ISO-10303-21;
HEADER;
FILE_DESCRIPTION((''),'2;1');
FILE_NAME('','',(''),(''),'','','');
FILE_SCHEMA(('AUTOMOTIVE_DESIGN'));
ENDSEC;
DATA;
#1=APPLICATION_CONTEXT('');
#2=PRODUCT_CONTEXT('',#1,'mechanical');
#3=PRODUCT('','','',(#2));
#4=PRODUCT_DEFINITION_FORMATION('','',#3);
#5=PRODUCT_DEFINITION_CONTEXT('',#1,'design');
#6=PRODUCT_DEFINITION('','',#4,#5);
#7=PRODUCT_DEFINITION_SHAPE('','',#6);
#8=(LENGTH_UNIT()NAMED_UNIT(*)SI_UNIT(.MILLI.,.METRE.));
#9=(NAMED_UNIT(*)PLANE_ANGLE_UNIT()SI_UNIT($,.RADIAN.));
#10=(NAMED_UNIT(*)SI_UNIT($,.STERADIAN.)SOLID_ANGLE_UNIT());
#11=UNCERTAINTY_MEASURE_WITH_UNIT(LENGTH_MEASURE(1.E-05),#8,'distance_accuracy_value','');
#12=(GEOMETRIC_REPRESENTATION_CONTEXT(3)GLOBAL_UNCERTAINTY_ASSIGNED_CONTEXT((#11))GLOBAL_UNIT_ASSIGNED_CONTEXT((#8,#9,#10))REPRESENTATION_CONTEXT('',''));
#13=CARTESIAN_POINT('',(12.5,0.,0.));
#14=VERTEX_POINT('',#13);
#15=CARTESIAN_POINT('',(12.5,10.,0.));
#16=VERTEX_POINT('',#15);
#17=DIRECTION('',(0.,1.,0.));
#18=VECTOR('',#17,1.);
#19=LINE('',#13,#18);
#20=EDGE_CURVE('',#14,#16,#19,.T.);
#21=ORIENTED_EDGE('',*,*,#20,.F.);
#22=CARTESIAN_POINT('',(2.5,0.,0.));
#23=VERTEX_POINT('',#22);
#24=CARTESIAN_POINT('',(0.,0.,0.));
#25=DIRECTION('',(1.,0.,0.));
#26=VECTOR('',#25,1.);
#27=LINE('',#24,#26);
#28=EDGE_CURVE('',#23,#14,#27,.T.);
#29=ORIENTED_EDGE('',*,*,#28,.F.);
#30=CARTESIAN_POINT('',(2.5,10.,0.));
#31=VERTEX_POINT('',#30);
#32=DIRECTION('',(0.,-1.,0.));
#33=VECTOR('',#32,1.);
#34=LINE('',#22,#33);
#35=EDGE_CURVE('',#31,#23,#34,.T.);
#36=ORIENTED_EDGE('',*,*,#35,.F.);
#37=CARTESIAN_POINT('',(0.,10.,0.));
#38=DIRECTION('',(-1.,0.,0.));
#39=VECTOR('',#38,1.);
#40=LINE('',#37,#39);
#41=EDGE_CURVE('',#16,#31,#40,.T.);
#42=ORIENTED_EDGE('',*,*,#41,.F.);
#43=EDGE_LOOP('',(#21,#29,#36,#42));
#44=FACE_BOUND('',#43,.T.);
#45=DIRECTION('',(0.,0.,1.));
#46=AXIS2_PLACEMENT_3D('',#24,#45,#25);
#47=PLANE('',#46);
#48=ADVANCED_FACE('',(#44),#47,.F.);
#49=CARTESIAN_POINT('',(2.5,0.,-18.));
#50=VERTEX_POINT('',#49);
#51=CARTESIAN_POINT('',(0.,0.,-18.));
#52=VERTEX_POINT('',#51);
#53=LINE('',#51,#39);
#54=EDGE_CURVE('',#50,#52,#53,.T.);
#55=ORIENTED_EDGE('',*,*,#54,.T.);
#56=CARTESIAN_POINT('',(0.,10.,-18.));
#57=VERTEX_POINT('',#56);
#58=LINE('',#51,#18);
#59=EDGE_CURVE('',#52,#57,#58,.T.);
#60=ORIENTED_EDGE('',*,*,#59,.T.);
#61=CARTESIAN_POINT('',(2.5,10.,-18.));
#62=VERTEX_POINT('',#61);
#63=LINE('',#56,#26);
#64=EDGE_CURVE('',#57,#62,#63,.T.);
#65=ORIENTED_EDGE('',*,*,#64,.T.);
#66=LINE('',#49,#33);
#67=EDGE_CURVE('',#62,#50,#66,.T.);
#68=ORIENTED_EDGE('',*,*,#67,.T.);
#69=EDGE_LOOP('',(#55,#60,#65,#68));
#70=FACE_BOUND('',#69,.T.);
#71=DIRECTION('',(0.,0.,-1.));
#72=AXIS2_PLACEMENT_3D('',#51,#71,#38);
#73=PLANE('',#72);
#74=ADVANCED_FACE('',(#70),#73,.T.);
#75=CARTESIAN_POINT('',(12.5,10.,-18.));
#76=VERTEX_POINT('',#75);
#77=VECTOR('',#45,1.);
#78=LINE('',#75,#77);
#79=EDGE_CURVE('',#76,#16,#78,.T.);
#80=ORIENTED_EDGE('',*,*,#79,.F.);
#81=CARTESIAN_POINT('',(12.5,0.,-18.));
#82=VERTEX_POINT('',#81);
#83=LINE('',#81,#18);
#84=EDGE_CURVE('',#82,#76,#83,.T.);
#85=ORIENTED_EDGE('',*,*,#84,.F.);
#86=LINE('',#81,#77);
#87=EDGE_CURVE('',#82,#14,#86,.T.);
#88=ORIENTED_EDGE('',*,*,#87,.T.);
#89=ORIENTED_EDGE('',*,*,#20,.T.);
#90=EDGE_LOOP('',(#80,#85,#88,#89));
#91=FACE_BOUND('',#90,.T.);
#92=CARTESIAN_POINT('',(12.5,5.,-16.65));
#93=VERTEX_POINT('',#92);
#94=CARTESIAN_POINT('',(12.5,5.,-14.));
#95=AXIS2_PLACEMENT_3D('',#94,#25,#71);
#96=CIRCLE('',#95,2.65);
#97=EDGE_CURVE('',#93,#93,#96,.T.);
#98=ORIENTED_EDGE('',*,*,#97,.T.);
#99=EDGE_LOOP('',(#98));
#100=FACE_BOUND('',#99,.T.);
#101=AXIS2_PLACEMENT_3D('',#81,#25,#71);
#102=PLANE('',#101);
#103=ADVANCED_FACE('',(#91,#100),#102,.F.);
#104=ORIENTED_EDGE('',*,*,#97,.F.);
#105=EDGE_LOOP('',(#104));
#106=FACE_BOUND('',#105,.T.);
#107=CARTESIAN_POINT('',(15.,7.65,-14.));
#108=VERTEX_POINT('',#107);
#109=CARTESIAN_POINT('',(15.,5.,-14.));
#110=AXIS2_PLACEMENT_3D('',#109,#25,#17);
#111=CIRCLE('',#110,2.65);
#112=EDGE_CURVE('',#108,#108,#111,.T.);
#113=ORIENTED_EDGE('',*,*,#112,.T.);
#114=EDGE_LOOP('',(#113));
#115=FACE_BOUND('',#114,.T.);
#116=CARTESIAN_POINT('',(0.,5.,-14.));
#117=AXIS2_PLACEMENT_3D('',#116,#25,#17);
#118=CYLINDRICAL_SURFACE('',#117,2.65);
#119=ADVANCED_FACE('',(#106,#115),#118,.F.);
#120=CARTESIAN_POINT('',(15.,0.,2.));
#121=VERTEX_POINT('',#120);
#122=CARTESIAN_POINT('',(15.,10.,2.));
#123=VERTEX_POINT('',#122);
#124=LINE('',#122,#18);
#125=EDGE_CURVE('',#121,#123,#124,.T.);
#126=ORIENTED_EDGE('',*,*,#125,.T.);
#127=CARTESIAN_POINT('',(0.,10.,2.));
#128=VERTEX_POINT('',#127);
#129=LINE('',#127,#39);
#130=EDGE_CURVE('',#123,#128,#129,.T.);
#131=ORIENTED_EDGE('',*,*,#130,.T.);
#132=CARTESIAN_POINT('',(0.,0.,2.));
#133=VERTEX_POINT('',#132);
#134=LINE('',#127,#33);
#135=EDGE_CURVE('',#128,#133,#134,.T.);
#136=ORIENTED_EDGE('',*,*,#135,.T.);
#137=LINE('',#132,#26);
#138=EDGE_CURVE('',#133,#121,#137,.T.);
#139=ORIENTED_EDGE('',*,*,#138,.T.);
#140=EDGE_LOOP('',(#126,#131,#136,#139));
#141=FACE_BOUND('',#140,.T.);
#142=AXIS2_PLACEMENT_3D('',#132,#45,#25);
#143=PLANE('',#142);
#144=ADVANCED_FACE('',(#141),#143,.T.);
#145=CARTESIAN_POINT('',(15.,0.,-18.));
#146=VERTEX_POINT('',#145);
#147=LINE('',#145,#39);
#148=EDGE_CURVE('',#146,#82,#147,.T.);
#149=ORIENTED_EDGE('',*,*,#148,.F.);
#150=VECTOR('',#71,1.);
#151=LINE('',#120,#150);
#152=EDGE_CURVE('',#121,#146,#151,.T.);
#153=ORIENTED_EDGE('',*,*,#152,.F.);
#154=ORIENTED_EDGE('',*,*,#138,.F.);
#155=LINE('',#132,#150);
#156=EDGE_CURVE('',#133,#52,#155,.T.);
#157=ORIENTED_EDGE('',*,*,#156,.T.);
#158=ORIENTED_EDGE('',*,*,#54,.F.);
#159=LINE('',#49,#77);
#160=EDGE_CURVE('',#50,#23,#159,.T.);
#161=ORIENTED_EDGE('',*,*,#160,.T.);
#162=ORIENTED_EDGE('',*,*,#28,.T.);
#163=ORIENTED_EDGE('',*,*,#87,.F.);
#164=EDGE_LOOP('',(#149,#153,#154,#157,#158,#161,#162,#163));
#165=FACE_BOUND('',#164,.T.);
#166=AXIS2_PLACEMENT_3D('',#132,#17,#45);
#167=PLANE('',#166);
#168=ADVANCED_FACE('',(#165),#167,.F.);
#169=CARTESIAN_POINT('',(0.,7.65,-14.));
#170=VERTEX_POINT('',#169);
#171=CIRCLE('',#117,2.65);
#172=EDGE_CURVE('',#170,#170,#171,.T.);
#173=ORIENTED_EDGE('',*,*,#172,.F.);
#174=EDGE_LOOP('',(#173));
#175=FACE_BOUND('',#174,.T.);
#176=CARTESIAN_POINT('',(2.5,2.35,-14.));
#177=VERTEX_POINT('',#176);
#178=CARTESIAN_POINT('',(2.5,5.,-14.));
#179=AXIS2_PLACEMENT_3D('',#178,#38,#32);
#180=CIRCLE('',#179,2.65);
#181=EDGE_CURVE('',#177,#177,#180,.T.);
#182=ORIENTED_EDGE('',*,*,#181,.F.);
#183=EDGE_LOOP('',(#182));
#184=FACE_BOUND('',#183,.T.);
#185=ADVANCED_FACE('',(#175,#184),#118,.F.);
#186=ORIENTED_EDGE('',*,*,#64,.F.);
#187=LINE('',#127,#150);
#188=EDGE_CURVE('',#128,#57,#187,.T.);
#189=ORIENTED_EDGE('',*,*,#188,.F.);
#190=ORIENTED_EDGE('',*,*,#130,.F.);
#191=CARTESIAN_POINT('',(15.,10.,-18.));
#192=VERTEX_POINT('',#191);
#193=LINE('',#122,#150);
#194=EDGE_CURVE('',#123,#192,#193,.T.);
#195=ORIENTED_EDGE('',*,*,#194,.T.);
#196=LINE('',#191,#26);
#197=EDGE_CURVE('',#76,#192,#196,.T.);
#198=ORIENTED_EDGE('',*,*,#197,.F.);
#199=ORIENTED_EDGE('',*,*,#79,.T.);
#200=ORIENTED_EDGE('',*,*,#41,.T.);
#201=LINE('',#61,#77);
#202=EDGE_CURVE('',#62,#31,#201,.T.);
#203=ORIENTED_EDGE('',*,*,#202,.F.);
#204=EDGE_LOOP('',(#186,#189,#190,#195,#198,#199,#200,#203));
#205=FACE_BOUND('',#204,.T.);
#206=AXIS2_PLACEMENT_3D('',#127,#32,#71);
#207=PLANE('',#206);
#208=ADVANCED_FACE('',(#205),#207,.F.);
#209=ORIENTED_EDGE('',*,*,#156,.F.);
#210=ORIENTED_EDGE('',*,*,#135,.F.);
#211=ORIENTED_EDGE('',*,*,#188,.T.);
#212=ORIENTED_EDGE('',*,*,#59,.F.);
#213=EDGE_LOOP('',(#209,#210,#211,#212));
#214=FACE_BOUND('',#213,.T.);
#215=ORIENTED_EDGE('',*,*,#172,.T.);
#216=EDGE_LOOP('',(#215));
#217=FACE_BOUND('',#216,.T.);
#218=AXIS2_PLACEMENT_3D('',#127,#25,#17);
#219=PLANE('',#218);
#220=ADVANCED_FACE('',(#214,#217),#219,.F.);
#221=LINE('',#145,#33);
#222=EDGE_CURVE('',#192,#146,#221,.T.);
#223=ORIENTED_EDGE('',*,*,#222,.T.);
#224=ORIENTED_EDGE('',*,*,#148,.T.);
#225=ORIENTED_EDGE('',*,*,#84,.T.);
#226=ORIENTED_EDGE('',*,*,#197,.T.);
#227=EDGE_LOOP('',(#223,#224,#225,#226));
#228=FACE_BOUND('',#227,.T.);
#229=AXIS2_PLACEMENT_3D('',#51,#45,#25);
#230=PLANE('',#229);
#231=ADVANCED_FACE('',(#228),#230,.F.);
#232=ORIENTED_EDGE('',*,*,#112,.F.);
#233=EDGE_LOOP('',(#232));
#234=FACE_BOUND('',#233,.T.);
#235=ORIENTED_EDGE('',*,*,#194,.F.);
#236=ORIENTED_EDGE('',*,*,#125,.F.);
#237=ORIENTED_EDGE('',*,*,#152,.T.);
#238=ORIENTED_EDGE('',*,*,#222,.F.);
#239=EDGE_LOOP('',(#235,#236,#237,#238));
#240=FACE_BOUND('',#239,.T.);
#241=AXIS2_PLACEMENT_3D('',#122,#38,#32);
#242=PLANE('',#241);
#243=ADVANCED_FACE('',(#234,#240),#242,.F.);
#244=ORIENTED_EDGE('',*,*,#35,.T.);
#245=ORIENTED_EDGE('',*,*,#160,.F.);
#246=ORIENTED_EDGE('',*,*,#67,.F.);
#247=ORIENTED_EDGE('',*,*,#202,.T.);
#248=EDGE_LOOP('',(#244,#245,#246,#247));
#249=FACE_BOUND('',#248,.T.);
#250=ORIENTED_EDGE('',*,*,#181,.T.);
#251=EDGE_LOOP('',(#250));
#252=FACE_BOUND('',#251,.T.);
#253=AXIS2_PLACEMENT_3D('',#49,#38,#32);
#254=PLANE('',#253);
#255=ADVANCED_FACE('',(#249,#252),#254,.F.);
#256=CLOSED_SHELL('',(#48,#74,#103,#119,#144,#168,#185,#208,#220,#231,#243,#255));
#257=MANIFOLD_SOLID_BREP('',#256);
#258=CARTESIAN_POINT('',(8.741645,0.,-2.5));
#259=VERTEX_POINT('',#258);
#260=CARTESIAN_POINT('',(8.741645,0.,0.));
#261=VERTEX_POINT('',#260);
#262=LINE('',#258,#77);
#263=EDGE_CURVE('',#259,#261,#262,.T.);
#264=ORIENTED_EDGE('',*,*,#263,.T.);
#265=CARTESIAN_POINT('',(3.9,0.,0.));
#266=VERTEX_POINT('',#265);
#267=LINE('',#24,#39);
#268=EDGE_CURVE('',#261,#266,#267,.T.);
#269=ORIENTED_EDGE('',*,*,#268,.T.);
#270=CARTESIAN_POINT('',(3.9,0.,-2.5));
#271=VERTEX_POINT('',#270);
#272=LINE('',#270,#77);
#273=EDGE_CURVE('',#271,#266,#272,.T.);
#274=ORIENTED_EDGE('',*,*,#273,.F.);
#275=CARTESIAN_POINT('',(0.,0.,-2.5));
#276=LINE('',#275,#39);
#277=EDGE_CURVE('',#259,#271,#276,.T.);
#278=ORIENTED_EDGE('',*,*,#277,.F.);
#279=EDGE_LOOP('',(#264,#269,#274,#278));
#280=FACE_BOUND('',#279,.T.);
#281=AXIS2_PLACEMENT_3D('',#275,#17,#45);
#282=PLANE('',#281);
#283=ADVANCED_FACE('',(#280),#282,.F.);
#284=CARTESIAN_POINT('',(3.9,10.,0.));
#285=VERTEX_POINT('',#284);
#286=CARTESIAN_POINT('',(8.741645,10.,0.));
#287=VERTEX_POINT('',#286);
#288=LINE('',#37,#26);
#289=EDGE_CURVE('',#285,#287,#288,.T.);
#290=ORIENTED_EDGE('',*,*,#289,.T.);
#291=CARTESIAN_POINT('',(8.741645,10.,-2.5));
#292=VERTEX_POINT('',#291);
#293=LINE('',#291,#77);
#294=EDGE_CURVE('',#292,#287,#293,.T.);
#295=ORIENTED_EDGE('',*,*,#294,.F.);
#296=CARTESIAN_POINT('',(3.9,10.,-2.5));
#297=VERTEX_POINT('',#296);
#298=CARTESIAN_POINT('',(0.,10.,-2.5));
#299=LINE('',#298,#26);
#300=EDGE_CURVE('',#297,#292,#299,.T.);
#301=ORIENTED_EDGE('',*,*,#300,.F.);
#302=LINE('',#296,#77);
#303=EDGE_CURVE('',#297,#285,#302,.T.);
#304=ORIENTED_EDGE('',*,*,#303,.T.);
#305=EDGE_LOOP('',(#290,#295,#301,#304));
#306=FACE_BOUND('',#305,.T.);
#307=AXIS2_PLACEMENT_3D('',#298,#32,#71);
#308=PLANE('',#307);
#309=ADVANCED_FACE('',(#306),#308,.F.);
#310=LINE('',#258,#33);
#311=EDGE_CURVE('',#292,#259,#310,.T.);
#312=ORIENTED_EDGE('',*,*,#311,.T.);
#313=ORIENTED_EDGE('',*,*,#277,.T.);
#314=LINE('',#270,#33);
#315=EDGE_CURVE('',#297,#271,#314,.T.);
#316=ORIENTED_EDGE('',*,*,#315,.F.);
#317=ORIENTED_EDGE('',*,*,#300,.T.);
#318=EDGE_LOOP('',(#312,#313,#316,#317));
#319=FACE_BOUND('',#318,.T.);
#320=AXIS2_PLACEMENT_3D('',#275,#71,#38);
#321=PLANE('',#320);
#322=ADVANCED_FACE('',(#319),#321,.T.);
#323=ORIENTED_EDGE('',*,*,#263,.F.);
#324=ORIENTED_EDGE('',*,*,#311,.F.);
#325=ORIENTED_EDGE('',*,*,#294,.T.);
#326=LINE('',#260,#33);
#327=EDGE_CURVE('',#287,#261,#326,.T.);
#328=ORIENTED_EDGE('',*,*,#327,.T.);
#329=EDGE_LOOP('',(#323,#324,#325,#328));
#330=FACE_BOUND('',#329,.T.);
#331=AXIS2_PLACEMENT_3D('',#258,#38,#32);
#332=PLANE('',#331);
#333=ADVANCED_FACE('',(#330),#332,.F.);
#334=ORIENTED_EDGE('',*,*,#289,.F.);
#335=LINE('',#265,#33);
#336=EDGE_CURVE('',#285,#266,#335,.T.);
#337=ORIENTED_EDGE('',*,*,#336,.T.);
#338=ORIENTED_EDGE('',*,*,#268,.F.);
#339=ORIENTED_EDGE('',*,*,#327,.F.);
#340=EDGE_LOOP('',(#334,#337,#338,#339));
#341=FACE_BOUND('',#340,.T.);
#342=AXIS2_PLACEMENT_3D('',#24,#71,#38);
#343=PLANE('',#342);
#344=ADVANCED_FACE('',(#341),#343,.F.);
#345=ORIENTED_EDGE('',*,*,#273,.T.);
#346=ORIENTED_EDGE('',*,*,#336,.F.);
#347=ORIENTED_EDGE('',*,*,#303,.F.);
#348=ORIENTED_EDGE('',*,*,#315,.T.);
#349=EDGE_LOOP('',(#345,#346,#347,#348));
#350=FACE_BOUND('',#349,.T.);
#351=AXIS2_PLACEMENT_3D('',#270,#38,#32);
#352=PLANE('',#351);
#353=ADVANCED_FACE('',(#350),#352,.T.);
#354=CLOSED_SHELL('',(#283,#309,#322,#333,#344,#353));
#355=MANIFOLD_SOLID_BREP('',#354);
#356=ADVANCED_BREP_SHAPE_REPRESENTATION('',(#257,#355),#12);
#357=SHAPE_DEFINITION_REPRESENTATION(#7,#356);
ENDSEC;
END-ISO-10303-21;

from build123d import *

# Parameters (mm, degrees)
SKETCH1_W           = 15
SKETCH1_H           = 10
BOSS_EXTRUDE1_DEPTH = 2
SKETCH2_W           = 2.5
SKETCH2_H           = 10
BOSS_EXTRUDE2_DEPTH = 18
SKETCH3_R           = 2.65
CUT_EXTRUDE1_DEPTH  = 26.475478406
SKETCH4_W           = 4.841644851
SKETCH4_H           = 10
BOSS_EXTRUDE3_DEPTH = 2.5


with BuildPart() as part:
    # Sketch1 → Boss-Extrude1 (new body)
    with BuildSketch(Plane.XY):
        with Locations((7.5, 5)):
            Rectangle(SKETCH1_W, SKETCH1_H)
    extrude(amount=BOSS_EXTRUDE1_DEPTH)

    # Sketch2 → Boss-Extrude2 (add)
    with BuildSketch(Plane(origin=(0, 0, 0), x_dir=(-1, 0, 0), z_dir=(0, 0, -1))):
        with Locations((-13.75, 5)):
            Rectangle(SKETCH2_W, SKETCH2_H)
        with Locations((-1.25, 5)):
            Rectangle(SKETCH2_W, SKETCH2_H)
    extrude(amount=BOSS_EXTRUDE2_DEPTH)

    # Sketch3 → Cut-Extrude1 (cut, through all)
    with BuildSketch(Plane(origin=(15, 0, 0), x_dir=(0, 0, -1), z_dir=(1, 0, 0))):
        with Locations(Location((14, 5, 0), (0, 0, 90))):
            Circle(SKETCH3_R)
    extrude(amount=-CUT_EXTRUDE1_DEPTH, mode=Mode.SUBTRACT)


with BuildPart() as body_2:
    # Sketch4 → Boss-Extrude3 (new body)
    with BuildSketch(Plane(origin=(0, 0, 0), x_dir=(-1, 0, 0), z_dir=(0, 0, -1))):
        with Locations((-6.320822426, 5)):
            Rectangle(SKETCH4_W, SKETCH4_H)
    extrude(amount=BOSS_EXTRUDE3_DEPTH)


solid = Compound([part.part, body_2.part])
